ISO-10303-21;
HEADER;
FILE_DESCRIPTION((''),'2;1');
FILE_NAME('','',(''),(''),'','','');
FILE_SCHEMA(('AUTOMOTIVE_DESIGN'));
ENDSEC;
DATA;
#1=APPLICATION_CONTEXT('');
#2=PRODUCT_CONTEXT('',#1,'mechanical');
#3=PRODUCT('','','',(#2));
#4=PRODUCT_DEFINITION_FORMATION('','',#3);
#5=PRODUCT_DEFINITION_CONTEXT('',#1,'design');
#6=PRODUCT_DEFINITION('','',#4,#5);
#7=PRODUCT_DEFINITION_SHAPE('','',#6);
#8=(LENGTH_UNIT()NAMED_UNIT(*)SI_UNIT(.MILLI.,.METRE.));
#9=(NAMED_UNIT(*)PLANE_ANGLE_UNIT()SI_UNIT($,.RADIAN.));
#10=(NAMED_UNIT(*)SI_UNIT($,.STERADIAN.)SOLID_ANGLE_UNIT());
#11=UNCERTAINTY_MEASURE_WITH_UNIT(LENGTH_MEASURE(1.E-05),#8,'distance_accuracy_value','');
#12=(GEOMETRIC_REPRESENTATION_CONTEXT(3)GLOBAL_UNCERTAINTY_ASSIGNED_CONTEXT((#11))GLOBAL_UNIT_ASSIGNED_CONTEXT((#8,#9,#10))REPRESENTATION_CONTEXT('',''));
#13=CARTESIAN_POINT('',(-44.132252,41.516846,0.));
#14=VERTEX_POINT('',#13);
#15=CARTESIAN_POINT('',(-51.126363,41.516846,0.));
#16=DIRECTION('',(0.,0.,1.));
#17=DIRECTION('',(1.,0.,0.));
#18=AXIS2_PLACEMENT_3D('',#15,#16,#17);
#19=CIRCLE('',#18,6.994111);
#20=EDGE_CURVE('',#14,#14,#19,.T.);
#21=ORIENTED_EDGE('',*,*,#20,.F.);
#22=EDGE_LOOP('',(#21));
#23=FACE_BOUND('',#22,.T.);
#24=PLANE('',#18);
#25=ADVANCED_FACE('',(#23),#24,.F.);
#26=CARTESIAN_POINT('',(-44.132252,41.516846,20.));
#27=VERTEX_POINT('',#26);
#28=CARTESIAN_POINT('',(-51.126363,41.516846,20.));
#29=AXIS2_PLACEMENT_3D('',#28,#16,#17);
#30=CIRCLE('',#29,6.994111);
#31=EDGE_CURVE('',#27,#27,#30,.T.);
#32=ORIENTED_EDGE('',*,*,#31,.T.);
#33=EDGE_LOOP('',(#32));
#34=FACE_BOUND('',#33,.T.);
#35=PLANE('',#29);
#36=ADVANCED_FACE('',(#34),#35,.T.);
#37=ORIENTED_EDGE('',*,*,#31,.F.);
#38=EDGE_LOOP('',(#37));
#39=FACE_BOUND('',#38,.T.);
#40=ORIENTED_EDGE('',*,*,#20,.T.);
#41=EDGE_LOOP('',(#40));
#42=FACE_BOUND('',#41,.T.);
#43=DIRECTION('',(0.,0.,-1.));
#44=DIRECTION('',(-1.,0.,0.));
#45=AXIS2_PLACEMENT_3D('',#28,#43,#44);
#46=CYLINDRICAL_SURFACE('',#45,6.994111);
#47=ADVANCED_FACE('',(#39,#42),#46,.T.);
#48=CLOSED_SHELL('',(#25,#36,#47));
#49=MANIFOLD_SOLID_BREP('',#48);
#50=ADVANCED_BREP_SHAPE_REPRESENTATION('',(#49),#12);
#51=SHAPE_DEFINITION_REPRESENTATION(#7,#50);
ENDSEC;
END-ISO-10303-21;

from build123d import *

# Parameters (mm, degrees)
SKETCH1_W             = 128.922622712
SKETCH1_H             = 108.547542538
SKETCH1_W_2           = 124.922622712
SKETCH1_H_2           = 104.547542538
BOSS_EXTRUDE1_DEPTH   = 50
SKETCH2_R             = 48.496570744
BOSS_EXTRUDE2_DEPTH   = 50
SKETCH3_R             = 6.994110628
BOSS_EXTRUDE3_DEPTH   = 20
SKETCH3_R_2           = 6.120691225
BOSS_EXTRUDE3_2_DEPTH = 20


with BuildPart() as part:
    # Sketch1 → Boss-Extrude1 (new body)
    with BuildSketch(Plane.XY):
        Rectangle(SKETCH1_W, SKETCH1_H)
        Rectangle(SKETCH1_W_2, SKETCH1_H_2, mode=Mode.SUBTRACT)
    extrude(amount=BOSS_EXTRUDE1_DEPTH)


with BuildPart() as body_2:
    # Sketch2 → Boss-Extrude2 (new body)
    with BuildSketch(Plane.XY):
        with Locations(Location((0, 0, 0), (0, 0, 180))):
            Circle(SKETCH2_R)
    extrude(amount=BOSS_EXTRUDE2_DEPTH)


with BuildPart() as body_3:
    # Sketch3 → Boss-Extrude3 (new body)
    with BuildSketch(Plane.XY):
        with Locations((-51.126362865, 41.516845757)):
            Circle(SKETCH3_R)
    extrude(amount=BOSS_EXTRUDE3_DEPTH)


with BuildPart() as body_4:
    # Sketch3 → Boss-Extrude3 2 (new body)
    with BuildSketch(Plane.XY):
        with Locations((46.461548735, 43.755956539)):
            Circle(SKETCH3_R_2)
    extrude(amount=BOSS_EXTRUDE3_2_DEPTH)


solid = body_3.part
